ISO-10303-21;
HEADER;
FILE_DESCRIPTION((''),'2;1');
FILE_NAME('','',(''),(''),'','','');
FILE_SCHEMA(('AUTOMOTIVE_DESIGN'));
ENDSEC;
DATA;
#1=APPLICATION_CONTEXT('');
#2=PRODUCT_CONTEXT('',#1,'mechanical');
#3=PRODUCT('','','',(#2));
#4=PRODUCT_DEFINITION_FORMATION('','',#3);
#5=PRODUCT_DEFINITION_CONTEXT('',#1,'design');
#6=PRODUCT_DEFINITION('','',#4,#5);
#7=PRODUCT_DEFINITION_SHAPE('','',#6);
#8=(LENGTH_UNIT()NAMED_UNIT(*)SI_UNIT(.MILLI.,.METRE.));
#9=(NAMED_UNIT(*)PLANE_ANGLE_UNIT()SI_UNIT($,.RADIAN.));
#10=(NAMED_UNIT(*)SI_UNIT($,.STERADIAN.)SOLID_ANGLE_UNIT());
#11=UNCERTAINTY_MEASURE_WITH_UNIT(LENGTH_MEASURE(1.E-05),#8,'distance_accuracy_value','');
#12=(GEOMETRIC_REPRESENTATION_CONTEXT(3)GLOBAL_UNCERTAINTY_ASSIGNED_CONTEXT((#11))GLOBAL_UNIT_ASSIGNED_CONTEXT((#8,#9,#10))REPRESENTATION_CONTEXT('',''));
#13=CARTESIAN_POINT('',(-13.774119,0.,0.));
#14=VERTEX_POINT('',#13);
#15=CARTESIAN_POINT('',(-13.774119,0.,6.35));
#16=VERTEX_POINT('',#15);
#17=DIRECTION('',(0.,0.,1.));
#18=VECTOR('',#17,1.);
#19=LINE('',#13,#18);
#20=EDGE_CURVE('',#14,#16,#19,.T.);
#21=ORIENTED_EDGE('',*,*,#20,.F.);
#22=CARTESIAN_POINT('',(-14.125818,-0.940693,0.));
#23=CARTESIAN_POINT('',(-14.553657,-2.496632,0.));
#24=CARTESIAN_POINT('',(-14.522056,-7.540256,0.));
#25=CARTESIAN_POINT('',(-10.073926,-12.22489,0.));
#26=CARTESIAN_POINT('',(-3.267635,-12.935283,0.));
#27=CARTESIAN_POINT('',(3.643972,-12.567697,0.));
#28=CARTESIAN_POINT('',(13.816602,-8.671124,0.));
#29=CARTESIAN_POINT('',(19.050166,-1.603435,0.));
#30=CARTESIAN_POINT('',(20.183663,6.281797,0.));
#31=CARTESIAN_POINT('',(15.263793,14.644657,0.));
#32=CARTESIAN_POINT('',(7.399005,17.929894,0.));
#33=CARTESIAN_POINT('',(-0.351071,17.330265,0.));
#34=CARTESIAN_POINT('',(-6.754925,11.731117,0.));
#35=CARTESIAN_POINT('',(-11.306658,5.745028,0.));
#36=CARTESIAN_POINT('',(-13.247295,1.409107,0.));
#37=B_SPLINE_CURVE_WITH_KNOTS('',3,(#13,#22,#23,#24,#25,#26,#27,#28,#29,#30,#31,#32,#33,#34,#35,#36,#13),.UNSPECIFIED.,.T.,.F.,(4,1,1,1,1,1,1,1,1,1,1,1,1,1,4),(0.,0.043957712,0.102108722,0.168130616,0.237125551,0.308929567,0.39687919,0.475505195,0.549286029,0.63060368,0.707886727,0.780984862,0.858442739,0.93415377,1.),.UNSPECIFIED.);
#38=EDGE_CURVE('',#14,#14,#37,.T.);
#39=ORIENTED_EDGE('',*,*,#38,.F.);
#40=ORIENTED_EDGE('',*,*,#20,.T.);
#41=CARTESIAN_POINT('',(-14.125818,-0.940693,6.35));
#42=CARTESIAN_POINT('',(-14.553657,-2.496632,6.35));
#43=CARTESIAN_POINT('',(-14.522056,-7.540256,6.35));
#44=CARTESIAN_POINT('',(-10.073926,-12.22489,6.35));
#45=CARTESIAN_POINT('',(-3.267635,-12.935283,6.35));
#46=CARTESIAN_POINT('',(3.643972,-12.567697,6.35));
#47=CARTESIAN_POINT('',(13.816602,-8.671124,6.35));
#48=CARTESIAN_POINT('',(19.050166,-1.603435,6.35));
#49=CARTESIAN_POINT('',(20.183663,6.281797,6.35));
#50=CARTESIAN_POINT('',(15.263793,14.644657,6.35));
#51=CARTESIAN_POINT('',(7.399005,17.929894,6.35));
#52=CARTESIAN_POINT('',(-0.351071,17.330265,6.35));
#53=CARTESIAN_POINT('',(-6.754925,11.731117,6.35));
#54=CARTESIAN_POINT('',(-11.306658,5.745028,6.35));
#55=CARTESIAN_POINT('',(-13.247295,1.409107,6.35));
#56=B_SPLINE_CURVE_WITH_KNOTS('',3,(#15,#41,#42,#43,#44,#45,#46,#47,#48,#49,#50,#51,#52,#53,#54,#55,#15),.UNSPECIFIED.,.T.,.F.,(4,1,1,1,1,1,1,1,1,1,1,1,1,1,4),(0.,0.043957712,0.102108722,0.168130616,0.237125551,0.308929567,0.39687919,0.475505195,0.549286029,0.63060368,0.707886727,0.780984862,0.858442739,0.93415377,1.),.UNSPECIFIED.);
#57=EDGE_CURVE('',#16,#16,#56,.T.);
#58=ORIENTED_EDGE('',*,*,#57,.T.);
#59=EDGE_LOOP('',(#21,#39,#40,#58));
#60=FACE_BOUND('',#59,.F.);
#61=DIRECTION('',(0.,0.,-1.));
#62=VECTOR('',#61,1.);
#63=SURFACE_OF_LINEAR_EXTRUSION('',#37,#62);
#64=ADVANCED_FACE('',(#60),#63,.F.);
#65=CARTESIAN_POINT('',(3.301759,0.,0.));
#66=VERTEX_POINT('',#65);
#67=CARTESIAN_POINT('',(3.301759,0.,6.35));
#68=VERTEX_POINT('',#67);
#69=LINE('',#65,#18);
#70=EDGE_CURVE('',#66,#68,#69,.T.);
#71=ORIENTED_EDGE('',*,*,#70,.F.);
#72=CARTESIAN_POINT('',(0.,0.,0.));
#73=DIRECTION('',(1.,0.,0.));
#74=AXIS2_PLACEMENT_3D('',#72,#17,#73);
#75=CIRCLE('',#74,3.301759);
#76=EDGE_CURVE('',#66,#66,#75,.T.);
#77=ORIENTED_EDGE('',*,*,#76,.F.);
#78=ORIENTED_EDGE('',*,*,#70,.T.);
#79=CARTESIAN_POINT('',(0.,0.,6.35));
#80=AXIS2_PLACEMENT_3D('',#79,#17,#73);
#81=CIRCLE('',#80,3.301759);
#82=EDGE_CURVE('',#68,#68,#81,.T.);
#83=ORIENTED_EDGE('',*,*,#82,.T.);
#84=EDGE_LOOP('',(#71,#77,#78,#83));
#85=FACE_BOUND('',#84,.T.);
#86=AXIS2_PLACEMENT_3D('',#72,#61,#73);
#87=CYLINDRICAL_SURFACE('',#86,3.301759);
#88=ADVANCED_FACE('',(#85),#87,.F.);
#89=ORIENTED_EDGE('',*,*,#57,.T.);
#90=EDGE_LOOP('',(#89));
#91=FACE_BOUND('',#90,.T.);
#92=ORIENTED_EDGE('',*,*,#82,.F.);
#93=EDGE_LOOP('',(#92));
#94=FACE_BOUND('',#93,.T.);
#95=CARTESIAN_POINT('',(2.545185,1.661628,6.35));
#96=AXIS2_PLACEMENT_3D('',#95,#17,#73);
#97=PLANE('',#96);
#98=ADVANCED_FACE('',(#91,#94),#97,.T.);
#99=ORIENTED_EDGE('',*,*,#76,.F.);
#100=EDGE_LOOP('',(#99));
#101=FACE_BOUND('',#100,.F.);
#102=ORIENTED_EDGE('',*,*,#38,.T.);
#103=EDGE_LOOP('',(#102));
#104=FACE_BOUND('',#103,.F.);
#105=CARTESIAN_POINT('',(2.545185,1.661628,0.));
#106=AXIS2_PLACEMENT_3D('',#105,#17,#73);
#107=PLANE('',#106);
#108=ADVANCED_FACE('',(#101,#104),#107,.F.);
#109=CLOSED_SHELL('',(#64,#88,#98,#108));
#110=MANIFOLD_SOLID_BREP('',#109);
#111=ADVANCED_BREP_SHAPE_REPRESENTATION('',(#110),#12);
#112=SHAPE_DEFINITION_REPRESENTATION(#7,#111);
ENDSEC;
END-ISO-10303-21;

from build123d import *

# Parameters (mm, degrees)
F0_R     = 3.3017594059
F1_DEPTH = 6.35


with BuildPart() as f1:
    # F0 (on Top) → F1 (new body)
    with BuildSketch(Plane.XY):
        with BuildLine():
            add(Edge.make_bspline(
                [(-13.7741193175, 0), (-14.125817672, -0.9406933493), (-14.5536571329, -2.4966319155), (-14.5220562276, -7.5402560387), (-10.0739260048, -12.22489041), (-3.2676348379, -12.9352827346), (3.6439723304, -12.5676968928), (13.8166022414, -8.6711241009), (19.0501662867, -1.6034350095), (20.1836634762, 6.2817974099), (15.2637934375, 14.6446565162), (7.3990048727, 17.9298940854), (-0.3510706119, 17.3302652214), (-6.7549254721, 11.7311167899), (-11.3066583813, 5.7450275467), (-13.2472945692, 1.4091067834), (-13.7741193175, 0)],
                knots=[0, 0, 0, 0, 0.0439577121, 0.1021087225, 0.168130616, 0.2371255512, 0.3089295669, 0.3968791897, 0.4755051945, 0.5492860286, 0.6306036801, 0.7078867274, 0.7809848625, 0.8584427394, 0.9341537704, 1, 1, 1, 1], degree=3))
        make_face()
        Circle(F0_R, mode=Mode.SUBTRACT)
    extrude(amount=F1_DEPTH)


solid = f1.part
